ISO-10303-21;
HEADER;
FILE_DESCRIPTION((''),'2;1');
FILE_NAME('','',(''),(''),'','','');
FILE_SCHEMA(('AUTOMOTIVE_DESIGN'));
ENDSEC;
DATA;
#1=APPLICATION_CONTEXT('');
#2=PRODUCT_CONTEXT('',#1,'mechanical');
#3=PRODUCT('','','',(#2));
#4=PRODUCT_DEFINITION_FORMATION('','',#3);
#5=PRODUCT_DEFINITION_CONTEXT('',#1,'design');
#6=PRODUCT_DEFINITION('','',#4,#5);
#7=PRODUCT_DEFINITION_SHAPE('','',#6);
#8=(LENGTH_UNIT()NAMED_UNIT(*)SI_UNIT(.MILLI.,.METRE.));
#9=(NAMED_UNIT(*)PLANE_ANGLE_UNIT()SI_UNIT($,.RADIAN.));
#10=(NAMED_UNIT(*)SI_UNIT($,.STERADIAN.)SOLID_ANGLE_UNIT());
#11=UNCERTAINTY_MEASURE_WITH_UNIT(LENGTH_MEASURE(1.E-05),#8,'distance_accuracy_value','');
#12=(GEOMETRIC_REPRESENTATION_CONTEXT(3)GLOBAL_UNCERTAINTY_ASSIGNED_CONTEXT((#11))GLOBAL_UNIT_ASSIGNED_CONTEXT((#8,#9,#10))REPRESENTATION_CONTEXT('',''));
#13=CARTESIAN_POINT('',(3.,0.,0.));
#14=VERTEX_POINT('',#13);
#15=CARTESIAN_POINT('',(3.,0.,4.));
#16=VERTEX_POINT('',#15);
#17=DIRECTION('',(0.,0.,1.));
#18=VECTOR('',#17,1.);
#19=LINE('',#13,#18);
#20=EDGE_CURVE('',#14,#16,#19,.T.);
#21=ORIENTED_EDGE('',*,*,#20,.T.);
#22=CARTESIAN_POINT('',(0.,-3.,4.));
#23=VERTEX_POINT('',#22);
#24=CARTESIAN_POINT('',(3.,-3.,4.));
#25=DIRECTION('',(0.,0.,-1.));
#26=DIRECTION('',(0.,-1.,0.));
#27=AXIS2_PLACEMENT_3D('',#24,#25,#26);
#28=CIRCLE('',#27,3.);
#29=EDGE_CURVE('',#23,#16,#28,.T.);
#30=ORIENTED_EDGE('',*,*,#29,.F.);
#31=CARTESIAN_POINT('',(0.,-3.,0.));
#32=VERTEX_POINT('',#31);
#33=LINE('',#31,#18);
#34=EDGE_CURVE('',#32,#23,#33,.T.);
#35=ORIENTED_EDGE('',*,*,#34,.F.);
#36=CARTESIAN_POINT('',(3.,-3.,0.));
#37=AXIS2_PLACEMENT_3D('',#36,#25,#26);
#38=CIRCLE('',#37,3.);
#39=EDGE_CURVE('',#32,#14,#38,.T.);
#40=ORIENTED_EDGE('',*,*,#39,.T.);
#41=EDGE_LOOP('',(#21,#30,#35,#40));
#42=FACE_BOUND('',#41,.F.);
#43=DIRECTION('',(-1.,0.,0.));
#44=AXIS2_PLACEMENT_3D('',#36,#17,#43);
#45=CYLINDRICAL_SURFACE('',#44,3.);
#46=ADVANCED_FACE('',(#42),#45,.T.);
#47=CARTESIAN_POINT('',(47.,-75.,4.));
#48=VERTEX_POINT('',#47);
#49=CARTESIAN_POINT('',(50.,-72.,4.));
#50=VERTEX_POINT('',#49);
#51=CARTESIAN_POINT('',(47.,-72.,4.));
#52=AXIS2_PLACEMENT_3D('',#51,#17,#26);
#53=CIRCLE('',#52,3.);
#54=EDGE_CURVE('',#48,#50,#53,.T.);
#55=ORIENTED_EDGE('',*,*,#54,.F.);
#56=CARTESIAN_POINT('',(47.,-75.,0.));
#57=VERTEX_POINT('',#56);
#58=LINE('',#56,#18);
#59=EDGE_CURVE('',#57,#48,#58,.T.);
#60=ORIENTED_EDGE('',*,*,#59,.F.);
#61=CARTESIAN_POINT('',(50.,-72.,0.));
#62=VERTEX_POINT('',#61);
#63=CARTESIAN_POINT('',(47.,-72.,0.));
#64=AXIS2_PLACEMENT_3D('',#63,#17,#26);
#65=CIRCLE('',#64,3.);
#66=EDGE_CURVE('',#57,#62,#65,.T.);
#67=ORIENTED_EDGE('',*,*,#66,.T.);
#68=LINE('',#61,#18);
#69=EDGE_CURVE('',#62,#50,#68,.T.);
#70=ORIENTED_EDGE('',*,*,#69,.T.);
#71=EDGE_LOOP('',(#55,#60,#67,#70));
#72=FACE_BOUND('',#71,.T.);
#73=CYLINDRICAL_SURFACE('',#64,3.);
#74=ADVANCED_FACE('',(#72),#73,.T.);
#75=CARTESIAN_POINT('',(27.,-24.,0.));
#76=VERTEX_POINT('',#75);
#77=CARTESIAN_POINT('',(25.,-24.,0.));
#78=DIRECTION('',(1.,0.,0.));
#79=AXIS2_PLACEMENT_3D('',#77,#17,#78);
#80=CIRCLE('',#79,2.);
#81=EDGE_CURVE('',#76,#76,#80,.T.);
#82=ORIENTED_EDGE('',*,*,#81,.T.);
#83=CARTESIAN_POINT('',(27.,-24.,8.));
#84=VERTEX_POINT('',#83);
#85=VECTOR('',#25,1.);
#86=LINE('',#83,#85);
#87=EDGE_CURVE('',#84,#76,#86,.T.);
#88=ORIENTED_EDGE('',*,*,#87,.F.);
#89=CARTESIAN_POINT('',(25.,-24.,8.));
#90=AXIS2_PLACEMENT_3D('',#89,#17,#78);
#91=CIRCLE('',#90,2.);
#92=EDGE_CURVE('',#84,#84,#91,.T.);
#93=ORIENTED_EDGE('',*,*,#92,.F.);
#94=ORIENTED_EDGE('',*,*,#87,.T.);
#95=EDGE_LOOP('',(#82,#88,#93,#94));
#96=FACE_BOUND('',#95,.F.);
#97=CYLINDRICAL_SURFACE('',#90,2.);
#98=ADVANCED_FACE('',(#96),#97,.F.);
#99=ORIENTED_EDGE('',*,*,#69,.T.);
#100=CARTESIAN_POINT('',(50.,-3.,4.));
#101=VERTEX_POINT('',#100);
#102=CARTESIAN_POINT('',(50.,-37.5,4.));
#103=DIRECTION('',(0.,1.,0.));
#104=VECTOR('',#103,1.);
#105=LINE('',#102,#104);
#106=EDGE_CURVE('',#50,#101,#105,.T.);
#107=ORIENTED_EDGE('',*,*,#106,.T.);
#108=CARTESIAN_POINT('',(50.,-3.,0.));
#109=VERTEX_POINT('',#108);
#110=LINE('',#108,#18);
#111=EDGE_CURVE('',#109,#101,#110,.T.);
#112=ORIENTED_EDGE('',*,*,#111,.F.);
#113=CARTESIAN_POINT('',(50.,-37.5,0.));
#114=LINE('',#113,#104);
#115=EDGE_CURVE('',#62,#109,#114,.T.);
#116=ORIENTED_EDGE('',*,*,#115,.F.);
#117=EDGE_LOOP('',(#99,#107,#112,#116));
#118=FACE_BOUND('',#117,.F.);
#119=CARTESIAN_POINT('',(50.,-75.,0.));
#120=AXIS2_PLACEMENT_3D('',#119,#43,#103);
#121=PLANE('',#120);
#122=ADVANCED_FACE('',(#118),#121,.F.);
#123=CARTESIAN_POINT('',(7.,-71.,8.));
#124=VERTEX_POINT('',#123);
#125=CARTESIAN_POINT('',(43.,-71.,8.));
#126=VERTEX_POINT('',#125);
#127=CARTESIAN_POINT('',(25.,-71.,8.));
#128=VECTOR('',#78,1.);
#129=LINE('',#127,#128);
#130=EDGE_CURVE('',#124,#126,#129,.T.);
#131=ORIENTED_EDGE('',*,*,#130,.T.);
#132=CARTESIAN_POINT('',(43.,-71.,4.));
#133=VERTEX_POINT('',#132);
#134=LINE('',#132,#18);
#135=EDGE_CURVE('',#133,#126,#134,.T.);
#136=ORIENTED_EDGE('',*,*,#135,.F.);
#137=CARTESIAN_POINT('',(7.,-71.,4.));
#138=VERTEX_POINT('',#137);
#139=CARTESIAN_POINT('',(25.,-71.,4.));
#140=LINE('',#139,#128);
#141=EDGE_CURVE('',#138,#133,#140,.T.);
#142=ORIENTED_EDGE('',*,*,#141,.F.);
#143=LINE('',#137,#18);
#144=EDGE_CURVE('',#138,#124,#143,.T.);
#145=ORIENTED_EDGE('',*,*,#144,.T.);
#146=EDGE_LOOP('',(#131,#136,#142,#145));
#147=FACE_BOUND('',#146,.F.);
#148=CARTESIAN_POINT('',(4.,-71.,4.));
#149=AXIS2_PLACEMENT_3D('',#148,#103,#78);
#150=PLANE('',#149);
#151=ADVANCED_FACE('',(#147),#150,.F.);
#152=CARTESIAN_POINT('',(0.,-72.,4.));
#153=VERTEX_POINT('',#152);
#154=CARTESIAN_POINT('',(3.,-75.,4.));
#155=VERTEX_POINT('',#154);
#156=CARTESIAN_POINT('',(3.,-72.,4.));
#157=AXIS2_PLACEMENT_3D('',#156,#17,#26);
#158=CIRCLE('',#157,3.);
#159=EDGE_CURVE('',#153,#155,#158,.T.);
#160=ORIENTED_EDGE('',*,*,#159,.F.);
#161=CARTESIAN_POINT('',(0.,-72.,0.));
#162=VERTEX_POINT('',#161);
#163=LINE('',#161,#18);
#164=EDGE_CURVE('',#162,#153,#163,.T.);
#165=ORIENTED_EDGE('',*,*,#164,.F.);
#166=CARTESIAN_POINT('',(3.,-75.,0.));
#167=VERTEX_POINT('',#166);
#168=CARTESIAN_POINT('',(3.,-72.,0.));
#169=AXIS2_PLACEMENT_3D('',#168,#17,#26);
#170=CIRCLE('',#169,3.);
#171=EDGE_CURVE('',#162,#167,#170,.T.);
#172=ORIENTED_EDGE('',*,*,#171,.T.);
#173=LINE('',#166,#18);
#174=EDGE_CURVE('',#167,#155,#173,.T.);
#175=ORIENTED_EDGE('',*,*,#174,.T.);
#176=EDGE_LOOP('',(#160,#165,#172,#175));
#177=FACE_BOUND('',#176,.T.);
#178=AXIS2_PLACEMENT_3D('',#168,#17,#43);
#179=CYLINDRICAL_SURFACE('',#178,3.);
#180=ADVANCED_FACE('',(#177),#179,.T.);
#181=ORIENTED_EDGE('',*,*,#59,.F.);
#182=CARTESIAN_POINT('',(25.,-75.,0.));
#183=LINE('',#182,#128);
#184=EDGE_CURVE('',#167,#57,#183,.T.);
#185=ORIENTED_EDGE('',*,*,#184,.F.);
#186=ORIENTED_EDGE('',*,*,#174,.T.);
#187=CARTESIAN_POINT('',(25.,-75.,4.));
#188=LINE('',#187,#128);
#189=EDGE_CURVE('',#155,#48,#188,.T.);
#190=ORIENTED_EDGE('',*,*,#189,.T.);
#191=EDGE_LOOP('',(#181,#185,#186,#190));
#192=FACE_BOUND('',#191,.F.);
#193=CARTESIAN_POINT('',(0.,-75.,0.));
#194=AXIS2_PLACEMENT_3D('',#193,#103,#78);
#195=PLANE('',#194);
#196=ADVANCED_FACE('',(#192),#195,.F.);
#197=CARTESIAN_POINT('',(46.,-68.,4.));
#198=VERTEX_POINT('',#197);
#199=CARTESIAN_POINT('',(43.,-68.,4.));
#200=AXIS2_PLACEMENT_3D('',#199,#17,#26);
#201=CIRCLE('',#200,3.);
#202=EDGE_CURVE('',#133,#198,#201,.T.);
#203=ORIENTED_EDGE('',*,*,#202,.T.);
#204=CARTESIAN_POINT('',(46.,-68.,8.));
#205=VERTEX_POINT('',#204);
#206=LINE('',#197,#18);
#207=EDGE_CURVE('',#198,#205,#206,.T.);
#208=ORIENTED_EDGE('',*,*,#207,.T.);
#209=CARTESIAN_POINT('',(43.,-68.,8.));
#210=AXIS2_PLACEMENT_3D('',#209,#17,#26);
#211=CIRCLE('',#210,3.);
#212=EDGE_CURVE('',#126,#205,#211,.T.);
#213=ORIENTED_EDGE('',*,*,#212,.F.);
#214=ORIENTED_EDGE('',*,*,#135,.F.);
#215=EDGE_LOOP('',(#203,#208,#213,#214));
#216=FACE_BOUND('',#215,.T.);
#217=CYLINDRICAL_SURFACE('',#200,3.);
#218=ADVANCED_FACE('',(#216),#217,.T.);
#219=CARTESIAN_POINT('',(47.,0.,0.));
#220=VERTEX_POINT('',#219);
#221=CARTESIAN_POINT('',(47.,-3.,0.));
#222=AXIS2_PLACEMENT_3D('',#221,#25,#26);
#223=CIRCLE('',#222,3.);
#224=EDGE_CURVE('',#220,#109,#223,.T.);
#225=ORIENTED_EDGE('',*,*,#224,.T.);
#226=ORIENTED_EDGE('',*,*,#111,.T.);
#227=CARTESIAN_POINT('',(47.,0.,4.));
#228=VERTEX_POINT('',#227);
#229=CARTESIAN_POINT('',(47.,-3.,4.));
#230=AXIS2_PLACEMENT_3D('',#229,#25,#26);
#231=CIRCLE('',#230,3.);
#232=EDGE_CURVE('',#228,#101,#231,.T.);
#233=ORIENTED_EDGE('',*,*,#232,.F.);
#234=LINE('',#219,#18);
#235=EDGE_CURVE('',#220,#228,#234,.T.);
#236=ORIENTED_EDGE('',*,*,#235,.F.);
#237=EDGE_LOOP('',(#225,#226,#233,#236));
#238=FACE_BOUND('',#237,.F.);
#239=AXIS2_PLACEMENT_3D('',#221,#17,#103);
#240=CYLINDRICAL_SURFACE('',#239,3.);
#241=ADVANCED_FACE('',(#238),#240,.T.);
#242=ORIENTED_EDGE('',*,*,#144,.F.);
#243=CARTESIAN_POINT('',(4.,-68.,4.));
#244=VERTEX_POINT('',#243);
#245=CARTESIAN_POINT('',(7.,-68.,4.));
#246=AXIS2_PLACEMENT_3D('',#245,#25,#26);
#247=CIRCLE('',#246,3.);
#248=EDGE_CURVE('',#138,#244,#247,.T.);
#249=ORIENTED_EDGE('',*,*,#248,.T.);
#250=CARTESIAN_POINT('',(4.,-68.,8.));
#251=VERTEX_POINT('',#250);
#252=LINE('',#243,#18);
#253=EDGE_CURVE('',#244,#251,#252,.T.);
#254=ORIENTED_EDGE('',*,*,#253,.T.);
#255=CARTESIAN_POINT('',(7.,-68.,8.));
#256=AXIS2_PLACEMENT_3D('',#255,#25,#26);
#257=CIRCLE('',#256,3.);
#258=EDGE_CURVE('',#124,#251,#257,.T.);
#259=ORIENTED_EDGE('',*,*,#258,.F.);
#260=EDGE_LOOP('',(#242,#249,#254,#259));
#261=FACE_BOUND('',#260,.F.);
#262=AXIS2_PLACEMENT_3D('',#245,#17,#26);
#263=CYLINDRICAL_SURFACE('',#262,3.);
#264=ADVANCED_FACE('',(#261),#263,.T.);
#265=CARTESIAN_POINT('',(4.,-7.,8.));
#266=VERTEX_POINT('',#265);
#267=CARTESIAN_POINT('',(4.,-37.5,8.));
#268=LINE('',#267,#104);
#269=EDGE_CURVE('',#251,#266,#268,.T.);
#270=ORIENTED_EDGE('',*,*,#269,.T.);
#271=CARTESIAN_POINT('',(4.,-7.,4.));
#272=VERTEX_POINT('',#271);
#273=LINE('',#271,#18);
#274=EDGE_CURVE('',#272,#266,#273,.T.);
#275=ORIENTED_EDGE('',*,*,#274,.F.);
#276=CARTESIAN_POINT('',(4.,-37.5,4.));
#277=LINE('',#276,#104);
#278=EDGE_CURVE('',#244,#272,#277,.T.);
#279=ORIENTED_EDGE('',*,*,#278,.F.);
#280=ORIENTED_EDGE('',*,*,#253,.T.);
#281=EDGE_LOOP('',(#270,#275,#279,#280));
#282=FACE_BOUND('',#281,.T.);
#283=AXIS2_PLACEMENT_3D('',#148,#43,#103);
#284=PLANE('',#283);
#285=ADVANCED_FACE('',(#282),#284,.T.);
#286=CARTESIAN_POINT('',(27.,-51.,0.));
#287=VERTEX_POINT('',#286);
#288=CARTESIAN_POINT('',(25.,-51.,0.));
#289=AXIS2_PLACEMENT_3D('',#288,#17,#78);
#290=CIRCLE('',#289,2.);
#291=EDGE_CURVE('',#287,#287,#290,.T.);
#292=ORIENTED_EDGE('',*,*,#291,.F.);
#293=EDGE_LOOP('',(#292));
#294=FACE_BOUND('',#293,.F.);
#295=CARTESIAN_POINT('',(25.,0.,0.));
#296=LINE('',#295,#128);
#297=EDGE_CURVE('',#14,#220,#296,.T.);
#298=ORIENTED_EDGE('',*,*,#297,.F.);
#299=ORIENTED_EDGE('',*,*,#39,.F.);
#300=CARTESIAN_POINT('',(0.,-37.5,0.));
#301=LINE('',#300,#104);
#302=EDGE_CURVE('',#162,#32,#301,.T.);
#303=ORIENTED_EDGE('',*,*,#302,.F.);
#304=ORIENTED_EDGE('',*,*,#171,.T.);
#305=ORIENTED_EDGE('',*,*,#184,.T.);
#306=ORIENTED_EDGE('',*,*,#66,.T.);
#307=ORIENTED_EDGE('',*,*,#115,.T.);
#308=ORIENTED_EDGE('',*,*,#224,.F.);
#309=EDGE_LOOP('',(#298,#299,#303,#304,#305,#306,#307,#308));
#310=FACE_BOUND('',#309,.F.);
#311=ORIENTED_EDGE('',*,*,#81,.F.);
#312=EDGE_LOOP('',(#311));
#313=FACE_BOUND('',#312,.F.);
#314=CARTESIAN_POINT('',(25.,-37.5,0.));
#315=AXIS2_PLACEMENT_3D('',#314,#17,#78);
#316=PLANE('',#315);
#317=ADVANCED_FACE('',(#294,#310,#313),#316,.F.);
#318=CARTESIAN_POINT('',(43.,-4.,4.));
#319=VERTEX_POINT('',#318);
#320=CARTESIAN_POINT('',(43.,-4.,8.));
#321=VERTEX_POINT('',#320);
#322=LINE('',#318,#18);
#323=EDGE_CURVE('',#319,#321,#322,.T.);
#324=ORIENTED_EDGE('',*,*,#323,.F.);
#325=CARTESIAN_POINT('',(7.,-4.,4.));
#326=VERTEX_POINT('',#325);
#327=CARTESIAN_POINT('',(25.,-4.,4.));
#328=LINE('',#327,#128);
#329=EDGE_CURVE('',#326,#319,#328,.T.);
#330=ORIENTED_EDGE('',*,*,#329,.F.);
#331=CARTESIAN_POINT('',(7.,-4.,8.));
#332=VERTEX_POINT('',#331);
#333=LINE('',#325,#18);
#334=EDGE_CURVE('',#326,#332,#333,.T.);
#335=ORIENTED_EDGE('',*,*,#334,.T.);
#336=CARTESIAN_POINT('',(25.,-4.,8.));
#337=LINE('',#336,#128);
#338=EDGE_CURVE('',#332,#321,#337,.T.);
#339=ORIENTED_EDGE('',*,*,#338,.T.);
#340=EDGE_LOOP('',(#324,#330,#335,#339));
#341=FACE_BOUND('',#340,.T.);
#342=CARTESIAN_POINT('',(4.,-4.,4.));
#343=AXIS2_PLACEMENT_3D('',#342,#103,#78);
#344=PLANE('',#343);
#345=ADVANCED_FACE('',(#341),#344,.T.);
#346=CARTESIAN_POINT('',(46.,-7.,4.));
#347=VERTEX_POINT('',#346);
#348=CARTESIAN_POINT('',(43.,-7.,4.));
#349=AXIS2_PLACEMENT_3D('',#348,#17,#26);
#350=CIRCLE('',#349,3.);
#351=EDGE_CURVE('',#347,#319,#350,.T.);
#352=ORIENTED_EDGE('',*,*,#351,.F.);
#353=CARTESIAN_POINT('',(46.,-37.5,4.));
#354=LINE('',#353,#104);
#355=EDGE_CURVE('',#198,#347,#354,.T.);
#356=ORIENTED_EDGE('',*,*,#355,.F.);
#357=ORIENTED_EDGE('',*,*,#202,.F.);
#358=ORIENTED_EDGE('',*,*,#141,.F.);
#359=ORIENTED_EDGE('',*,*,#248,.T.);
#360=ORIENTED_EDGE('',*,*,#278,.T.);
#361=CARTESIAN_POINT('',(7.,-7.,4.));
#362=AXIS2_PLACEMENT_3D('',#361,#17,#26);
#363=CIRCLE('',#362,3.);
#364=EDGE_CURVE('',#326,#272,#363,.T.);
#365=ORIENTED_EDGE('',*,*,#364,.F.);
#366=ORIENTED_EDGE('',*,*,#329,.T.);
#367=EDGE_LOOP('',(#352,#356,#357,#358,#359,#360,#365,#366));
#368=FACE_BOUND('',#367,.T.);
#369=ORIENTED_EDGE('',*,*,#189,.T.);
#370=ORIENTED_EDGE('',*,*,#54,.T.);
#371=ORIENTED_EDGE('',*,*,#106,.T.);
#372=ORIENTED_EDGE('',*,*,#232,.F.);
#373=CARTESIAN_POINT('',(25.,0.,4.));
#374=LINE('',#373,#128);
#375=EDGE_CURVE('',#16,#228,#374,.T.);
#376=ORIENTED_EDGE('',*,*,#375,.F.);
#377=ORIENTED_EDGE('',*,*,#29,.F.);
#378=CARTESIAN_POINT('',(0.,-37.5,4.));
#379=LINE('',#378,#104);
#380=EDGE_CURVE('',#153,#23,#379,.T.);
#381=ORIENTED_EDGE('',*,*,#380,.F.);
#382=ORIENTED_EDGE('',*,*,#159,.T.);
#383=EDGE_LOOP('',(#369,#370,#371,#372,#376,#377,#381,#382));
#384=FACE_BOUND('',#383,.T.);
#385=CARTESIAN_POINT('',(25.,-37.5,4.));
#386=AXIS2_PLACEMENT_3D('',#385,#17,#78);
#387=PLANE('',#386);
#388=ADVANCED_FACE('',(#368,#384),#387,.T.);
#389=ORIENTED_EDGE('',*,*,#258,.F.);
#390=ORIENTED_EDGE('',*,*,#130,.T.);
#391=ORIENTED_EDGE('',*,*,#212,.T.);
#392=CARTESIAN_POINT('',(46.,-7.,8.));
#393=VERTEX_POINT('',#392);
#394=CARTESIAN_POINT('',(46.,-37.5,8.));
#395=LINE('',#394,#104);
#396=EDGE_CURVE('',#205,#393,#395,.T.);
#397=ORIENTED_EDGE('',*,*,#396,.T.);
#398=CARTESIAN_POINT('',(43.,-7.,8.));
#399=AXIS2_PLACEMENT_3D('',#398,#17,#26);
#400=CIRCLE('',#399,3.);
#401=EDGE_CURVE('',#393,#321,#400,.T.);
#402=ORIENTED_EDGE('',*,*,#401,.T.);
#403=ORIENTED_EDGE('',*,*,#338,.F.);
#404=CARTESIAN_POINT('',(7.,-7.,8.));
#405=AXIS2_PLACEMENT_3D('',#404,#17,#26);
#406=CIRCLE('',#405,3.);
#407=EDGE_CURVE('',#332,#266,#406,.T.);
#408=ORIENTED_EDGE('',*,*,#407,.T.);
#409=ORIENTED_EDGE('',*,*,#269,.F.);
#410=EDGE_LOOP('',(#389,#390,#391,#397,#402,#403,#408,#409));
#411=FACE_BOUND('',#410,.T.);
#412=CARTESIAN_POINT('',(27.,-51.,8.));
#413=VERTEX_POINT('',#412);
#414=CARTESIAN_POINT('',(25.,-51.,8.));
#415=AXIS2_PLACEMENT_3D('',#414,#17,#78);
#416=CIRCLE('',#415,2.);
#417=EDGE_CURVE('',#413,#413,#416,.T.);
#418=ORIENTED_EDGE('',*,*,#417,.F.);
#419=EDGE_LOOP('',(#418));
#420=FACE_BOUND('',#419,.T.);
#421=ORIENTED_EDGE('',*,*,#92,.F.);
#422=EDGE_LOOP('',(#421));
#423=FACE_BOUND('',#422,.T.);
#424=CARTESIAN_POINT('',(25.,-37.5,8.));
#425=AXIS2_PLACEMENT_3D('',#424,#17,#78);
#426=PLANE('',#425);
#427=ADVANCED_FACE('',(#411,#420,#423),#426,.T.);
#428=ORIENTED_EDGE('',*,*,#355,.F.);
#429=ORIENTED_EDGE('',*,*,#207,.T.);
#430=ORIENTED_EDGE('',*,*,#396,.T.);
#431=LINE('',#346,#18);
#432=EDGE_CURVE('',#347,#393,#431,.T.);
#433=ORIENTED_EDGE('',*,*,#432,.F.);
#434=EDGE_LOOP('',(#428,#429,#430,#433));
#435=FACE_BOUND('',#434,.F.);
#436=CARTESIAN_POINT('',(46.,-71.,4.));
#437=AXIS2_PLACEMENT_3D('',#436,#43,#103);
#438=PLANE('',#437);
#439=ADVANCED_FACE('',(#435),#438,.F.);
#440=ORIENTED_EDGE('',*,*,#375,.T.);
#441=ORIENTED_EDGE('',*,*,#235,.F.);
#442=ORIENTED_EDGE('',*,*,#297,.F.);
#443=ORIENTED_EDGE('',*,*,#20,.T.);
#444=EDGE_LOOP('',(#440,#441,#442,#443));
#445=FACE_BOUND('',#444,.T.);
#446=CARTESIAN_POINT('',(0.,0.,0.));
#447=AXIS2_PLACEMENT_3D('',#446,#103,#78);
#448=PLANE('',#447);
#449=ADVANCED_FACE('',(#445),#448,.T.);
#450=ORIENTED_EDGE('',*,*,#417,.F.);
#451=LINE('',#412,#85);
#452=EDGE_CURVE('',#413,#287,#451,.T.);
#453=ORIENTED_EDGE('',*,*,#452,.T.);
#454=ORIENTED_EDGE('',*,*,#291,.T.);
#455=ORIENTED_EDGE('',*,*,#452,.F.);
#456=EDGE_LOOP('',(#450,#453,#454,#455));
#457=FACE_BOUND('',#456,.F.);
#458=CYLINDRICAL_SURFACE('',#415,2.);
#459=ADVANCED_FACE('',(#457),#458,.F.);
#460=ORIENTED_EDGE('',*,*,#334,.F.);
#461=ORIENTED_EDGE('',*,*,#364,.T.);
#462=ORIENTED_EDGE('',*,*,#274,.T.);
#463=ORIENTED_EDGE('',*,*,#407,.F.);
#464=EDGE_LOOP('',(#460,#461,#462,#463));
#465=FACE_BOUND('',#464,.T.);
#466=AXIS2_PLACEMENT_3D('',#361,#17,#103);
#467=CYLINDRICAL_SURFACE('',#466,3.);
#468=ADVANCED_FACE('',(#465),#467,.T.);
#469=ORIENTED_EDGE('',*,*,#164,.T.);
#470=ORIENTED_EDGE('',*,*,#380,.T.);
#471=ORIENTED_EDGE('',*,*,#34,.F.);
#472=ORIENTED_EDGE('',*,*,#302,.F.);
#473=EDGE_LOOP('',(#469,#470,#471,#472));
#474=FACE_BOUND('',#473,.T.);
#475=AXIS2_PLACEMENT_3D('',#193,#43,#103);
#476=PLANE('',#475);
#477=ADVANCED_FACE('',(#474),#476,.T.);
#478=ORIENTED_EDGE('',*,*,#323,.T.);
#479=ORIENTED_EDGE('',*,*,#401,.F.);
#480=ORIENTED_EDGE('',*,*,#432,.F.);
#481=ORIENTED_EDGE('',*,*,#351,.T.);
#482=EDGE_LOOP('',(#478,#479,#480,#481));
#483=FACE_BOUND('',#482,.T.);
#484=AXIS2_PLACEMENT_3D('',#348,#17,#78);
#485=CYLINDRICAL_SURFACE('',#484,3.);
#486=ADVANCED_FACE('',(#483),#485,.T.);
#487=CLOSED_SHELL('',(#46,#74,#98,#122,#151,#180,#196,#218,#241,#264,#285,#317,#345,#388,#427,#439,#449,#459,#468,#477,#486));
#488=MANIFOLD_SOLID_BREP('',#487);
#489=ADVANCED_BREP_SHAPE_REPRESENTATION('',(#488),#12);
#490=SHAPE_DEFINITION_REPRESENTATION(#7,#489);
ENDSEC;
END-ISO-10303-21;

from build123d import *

# Parameters (mm, degrees)
F0_W     = 50
F0_H     = 75
F1_DEPTH = 4
F2_W     = 42
F2_H     = 67
F3_DEPTH = 4
F4_R     = 3
F5_R     = 2
F6_DEPTH = 25


with BuildPart() as f1:
    # F0 (on Top) → F1 (new body)
    with BuildSketch(Plane.XY):
        with Locations((25, -37.5)):
            Rectangle(F0_W, F0_H)
    extrude(amount=F1_DEPTH)

    # F2 (on face) → F3 (join)
    with BuildSketch(Plane.XY.offset(4)):
        with Locations((25, -37.5)):
            Rectangle(F2_W, F2_H)
    extrude(amount=F3_DEPTH)

    # F4
    f4_edges = [f1.edges().sort_by_distance(p)[0] for p in [
        (50, 0, 2),
        (4, -4, 6),
        (0, 0, 2),
        (46, -4, 6),
        (46, -71, 6),
        (50, -75, 2),
        (4, -71, 6),
        (0, -75, 2),
    ]]
    fillet(f4_edges, radius=F4_R)

    # F5 (on face) → F6 (cut)
    with BuildSketch(Plane.XY.offset(8)):
        with Locations((25, -51)):
            Circle(F5_R)
        with Locations((25, -24)):
            Circle(F5_R)
    extrude(amount=-F6_DEPTH, mode=Mode.SUBTRACT)


solid = f1.part
